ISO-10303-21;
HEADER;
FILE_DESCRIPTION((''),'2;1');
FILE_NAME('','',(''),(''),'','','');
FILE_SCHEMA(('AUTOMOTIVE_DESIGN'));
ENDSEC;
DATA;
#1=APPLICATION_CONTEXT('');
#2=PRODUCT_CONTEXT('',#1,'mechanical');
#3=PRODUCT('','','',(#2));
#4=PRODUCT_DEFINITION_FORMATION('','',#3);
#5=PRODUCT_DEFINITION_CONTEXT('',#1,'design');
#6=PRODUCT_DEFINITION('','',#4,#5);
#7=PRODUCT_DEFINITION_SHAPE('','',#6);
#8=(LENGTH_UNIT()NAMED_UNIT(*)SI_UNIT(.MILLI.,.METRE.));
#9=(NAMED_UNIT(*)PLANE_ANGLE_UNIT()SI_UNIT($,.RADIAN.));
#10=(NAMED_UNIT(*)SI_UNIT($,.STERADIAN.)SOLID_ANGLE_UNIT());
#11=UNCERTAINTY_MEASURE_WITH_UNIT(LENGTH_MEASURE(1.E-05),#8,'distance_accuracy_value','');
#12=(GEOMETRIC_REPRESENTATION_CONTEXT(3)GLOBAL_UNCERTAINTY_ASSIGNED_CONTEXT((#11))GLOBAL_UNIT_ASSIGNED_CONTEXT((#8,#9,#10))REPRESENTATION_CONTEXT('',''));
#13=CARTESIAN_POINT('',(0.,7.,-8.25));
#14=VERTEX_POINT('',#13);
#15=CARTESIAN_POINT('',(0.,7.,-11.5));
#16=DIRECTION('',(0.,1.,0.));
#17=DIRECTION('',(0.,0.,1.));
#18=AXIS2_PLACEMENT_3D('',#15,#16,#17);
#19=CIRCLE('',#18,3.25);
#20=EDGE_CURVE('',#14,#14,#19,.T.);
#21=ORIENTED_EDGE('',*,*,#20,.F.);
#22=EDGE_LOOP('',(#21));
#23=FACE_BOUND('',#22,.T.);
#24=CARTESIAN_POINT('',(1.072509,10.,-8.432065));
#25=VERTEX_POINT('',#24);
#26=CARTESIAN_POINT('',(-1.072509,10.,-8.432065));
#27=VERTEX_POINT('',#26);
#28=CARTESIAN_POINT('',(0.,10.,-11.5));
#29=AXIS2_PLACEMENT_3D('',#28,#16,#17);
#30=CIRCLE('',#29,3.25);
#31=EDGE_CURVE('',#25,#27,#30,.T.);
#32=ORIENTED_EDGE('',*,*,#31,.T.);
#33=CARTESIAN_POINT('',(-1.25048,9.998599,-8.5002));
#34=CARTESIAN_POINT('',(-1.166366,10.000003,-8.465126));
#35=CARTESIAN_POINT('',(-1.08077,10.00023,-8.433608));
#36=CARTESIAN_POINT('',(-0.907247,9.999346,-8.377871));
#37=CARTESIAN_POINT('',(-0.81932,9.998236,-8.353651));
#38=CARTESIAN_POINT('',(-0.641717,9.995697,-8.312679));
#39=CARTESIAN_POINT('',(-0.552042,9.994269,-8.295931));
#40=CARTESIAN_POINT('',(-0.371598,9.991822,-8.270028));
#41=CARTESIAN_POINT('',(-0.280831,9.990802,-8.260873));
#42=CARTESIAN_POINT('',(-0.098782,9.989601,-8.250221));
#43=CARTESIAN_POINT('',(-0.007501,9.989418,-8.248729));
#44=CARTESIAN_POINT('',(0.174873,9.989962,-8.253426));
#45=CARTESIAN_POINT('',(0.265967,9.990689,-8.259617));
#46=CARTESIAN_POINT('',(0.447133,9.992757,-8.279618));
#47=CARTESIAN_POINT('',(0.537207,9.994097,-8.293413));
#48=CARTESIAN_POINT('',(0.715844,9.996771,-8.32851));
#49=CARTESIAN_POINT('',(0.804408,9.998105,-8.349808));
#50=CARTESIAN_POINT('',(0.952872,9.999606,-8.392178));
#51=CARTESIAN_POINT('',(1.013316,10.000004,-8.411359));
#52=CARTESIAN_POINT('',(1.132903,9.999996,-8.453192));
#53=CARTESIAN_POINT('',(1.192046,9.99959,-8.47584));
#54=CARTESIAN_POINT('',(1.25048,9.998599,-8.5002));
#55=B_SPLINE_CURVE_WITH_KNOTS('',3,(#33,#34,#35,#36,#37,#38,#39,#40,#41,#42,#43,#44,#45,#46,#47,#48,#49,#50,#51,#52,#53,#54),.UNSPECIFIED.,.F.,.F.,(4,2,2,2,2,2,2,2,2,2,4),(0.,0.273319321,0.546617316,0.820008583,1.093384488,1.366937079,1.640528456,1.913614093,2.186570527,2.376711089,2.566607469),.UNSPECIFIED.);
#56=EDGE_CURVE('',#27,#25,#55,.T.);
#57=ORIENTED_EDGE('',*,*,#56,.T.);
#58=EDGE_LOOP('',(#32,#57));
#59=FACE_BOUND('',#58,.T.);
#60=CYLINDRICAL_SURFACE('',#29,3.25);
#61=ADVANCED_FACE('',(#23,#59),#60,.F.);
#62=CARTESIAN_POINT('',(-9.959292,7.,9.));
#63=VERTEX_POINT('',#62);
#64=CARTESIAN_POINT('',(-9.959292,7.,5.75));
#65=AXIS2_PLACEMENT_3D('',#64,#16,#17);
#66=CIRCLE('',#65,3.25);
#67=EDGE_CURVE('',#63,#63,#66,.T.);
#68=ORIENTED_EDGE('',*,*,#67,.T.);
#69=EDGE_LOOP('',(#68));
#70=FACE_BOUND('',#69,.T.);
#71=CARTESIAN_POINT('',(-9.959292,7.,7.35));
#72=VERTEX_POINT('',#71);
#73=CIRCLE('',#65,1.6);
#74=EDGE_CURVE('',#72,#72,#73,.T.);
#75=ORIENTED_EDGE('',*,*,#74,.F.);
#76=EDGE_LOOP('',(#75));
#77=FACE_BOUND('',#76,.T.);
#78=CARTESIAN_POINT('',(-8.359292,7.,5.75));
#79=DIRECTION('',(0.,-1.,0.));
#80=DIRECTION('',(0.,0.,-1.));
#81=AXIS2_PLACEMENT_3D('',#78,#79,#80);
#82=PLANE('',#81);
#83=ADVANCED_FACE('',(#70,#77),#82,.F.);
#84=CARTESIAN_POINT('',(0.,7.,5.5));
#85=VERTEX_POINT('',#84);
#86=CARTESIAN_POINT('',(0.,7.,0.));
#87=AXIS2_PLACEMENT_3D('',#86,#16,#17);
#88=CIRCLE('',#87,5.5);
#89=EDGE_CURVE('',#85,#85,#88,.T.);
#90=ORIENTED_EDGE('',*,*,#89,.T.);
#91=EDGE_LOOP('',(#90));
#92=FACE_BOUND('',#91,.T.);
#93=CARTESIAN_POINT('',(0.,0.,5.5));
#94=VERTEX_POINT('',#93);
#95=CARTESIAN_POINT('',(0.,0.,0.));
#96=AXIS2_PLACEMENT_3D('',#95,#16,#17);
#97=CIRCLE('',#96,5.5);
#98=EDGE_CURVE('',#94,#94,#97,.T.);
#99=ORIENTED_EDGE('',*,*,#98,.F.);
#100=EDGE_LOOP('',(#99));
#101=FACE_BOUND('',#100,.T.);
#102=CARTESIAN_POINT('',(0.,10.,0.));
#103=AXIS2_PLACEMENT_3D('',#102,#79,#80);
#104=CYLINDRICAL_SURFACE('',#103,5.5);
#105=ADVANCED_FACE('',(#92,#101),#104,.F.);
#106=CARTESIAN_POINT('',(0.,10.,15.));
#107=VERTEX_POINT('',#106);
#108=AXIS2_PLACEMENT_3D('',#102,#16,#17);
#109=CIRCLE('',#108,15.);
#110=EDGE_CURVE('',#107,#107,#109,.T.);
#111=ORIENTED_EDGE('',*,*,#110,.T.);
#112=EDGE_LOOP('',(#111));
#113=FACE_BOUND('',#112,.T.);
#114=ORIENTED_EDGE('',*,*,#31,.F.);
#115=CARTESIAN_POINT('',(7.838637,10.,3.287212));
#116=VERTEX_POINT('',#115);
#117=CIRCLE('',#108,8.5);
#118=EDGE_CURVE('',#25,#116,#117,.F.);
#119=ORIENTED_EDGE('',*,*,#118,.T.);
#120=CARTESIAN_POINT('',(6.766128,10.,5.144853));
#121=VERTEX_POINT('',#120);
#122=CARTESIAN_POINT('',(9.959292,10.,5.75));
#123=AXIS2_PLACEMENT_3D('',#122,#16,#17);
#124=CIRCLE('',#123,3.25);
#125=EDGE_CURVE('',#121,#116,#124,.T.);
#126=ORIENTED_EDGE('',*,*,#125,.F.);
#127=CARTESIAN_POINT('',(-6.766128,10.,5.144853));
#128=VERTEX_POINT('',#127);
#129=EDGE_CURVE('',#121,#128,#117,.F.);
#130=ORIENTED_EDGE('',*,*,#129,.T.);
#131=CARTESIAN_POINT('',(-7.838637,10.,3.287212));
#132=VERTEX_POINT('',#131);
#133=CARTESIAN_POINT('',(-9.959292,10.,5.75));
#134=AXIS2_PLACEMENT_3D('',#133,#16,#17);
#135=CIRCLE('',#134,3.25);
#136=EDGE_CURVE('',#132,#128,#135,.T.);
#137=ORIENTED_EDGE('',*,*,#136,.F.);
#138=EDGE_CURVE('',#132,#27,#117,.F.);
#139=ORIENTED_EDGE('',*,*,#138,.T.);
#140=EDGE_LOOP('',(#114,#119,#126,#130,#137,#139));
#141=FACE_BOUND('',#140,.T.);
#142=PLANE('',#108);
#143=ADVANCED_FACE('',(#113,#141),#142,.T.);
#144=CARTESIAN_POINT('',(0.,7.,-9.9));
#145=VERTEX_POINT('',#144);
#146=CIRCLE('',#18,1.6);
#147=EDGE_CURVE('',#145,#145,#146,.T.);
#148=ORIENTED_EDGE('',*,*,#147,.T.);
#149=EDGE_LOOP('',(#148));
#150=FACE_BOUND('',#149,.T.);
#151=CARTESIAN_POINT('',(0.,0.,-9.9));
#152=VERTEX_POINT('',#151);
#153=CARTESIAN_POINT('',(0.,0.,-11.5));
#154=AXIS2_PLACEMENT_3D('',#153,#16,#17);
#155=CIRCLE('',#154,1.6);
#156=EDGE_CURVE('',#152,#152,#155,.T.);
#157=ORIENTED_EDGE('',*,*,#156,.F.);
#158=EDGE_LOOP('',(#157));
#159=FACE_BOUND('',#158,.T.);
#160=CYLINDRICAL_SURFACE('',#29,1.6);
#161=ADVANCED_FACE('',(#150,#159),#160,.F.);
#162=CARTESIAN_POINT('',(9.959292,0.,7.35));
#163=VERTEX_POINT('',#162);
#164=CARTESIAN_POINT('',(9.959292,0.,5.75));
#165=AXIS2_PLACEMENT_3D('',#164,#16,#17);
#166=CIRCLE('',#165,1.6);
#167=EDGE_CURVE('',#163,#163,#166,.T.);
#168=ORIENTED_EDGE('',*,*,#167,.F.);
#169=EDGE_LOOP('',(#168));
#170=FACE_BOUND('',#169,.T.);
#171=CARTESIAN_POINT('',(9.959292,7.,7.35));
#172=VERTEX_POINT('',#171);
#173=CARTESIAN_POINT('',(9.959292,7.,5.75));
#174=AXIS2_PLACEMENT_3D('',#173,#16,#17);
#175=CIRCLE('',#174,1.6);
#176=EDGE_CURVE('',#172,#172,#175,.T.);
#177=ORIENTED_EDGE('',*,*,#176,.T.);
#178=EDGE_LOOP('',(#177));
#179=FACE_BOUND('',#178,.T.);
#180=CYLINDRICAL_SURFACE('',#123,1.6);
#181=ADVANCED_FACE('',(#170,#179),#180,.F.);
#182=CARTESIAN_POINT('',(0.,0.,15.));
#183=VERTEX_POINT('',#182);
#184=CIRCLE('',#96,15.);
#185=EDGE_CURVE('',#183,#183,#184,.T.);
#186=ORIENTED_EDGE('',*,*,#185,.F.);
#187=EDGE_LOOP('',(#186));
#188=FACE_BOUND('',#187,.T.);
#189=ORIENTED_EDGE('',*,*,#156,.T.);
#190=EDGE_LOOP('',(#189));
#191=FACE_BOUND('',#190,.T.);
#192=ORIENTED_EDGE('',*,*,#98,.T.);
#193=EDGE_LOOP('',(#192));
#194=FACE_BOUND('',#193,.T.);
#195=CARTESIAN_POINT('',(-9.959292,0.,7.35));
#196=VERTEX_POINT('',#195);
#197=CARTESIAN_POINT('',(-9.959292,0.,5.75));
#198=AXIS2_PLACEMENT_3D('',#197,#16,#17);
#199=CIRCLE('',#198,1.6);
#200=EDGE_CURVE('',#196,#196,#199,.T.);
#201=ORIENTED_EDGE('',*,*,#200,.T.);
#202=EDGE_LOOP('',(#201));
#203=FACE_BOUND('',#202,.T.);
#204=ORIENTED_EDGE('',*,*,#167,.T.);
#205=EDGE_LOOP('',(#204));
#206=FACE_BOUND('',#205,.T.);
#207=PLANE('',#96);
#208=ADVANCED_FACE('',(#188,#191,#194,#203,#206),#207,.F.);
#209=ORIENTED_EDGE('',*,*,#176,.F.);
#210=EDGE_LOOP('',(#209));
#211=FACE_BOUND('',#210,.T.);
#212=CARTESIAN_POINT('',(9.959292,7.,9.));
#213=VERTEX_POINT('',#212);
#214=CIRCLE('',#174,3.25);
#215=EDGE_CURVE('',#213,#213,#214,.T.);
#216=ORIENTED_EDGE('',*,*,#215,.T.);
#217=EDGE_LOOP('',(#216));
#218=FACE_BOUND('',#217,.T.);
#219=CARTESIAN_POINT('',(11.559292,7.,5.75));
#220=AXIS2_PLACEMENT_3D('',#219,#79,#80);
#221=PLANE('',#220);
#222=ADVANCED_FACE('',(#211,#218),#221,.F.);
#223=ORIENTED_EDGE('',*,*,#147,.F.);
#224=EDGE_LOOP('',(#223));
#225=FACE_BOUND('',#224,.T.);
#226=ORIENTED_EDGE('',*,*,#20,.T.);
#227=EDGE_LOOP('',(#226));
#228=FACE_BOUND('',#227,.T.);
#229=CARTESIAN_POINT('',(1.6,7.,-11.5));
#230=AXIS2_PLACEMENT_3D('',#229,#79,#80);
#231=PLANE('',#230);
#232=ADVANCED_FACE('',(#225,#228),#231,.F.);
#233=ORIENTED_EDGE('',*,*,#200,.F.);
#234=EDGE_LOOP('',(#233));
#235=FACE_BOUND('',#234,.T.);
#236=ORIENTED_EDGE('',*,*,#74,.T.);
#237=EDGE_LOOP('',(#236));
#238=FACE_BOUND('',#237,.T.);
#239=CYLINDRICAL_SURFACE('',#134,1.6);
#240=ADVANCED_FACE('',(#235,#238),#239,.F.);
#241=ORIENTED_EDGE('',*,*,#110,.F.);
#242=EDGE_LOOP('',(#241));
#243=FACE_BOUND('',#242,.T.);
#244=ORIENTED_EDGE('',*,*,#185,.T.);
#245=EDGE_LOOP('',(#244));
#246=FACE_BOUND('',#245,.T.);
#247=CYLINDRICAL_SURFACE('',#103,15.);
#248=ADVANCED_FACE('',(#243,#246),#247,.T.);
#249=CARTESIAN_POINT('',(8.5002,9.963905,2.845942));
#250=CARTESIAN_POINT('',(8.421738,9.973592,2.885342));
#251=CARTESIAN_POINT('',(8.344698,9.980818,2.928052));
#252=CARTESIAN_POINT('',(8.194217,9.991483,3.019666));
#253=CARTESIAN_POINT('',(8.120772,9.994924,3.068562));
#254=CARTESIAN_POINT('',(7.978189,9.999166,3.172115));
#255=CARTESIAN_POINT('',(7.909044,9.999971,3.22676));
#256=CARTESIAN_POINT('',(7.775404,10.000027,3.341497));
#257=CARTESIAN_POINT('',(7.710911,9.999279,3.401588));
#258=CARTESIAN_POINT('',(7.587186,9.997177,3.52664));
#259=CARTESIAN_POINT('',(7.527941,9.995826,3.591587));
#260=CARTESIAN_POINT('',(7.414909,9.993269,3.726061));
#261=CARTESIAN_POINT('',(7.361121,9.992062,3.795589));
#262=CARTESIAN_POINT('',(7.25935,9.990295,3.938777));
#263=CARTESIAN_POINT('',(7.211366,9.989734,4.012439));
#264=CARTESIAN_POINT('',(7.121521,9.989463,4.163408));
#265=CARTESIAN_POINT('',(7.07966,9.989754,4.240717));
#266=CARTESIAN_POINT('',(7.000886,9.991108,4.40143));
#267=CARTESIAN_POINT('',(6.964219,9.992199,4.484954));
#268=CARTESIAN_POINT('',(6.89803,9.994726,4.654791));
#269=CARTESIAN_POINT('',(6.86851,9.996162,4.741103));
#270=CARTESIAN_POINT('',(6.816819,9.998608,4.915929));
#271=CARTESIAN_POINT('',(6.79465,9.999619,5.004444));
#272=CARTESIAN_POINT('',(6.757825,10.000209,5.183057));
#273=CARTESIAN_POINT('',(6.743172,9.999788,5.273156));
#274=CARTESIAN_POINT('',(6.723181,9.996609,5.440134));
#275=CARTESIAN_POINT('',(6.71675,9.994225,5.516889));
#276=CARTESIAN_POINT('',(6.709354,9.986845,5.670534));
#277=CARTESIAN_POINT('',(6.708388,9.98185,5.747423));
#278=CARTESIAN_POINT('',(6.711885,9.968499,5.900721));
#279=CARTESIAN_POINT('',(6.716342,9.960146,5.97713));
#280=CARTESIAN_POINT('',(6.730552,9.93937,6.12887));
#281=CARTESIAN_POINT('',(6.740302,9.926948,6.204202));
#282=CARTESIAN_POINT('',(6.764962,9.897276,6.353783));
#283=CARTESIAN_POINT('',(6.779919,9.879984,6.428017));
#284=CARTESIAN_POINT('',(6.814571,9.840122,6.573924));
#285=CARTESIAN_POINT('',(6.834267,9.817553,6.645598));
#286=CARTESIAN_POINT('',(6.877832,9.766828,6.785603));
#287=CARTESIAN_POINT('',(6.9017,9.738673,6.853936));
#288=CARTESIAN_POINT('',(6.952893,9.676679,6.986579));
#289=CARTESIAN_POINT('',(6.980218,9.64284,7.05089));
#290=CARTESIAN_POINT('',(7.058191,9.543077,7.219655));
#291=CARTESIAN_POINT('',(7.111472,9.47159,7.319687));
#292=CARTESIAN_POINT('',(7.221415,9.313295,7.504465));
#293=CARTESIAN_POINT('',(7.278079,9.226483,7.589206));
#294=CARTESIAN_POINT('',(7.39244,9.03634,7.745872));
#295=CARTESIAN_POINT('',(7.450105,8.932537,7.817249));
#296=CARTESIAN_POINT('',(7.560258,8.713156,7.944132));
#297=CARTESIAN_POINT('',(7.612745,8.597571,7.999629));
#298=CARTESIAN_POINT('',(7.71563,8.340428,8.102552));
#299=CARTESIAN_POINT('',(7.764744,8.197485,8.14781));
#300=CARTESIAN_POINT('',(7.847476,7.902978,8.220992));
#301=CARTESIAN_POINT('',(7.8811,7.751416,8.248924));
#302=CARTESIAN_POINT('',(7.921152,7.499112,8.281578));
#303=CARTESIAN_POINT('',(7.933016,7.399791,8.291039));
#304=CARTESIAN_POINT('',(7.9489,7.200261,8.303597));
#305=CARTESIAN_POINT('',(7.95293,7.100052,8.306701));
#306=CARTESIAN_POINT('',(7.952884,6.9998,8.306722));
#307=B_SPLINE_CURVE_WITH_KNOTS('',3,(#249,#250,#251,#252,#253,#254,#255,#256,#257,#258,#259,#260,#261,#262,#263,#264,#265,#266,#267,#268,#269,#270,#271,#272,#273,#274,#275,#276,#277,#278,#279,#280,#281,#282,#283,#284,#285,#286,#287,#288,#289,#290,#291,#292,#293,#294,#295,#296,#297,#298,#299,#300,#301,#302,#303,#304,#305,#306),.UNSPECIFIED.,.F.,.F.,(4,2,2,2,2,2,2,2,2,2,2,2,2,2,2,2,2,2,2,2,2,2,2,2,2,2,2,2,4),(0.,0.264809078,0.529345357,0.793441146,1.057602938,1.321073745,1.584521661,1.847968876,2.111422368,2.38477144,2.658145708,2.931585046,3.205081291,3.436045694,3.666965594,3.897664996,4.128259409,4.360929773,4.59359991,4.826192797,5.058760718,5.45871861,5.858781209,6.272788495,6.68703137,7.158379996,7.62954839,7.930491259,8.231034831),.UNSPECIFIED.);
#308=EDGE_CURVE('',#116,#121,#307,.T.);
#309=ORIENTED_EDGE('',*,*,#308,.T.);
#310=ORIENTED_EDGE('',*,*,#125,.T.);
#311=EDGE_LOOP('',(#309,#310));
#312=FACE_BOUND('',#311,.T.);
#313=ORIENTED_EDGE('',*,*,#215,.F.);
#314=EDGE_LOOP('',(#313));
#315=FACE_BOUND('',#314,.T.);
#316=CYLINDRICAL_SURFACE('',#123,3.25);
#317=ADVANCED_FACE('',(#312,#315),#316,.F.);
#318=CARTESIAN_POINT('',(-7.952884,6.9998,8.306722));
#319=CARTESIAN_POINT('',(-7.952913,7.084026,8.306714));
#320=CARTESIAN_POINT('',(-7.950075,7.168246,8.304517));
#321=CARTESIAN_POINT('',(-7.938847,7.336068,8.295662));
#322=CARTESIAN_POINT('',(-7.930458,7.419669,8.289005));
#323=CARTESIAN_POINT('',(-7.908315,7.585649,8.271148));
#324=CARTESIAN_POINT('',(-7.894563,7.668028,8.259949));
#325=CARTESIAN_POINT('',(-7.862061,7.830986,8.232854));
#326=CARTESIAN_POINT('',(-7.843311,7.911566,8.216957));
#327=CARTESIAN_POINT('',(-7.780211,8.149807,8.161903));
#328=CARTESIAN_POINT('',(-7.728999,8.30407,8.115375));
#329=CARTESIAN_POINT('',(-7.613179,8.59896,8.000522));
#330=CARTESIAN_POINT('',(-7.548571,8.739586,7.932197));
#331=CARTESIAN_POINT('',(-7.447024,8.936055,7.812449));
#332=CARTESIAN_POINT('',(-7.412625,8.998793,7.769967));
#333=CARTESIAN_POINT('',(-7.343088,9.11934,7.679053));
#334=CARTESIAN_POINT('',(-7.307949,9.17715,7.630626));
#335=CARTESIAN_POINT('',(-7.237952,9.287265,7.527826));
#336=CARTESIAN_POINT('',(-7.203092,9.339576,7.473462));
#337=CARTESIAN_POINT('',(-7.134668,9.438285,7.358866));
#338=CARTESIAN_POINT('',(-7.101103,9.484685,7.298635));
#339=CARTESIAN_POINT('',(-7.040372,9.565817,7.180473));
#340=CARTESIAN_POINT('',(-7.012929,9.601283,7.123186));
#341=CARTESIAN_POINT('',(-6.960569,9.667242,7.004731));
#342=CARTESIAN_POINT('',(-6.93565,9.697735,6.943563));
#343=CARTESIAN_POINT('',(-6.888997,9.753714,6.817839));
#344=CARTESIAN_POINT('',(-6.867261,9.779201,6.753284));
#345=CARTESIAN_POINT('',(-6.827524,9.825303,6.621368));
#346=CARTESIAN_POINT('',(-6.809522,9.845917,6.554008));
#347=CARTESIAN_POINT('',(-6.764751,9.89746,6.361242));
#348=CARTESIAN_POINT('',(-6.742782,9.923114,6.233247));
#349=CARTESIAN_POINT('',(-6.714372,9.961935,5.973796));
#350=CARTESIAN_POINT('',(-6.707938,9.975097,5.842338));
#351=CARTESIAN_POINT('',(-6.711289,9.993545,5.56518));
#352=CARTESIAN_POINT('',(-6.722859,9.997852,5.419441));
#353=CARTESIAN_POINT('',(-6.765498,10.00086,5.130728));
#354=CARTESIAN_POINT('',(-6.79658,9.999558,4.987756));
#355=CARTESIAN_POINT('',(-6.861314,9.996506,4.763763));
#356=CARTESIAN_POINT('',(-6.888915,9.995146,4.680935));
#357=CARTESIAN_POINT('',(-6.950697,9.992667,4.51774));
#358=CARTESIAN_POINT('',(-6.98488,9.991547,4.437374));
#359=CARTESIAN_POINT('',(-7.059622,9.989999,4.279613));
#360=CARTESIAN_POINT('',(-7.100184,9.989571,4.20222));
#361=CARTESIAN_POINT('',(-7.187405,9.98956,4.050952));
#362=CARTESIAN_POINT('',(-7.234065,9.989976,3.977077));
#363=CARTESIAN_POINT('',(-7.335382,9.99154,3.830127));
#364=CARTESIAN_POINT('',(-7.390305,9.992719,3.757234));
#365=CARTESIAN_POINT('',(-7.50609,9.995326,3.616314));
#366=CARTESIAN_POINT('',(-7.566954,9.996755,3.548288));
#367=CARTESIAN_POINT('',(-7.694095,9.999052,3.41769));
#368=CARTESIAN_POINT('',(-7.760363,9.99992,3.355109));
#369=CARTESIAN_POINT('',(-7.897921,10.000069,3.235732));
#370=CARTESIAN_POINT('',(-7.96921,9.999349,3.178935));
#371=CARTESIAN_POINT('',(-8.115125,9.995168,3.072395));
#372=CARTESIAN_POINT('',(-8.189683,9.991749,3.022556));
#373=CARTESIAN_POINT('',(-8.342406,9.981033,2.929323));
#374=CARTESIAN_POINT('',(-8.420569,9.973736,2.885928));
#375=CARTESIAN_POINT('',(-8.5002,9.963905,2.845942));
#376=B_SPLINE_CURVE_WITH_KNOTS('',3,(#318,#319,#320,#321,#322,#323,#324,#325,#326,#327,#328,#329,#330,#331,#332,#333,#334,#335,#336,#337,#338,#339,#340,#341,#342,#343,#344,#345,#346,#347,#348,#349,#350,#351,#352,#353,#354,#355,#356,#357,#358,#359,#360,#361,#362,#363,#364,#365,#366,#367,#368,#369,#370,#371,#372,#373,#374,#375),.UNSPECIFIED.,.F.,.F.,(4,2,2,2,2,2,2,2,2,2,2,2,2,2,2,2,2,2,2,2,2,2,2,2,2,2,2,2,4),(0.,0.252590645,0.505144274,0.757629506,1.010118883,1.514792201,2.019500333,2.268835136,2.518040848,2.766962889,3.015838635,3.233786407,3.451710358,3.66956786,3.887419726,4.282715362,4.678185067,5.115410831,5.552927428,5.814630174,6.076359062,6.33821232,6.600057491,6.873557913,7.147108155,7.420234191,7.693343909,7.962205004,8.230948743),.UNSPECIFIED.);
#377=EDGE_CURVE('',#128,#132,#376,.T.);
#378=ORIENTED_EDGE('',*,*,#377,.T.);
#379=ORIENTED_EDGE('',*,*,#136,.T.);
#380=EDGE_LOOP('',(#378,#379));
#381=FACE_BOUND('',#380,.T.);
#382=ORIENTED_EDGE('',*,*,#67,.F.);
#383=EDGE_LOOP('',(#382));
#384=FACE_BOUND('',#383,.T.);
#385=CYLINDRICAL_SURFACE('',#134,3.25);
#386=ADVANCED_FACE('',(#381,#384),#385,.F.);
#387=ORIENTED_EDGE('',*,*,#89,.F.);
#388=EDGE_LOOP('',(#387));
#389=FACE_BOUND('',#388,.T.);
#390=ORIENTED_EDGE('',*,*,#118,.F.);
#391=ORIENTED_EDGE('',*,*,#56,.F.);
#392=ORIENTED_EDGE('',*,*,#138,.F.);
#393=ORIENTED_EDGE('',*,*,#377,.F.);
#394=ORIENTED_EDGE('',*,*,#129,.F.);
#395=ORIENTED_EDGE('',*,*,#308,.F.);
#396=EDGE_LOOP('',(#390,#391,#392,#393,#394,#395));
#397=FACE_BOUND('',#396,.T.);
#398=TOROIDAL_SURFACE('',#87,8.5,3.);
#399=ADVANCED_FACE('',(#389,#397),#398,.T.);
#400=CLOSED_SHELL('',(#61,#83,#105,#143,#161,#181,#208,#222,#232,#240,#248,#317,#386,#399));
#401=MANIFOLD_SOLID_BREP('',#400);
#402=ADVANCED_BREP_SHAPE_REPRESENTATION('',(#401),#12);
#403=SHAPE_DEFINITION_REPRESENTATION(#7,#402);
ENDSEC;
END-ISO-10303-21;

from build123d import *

# Parameters (mm, degrees)
SKETCH1_R                      = 15
SKETCH1_R_2                    = 5.5
BOSS_EXTRUDE1_DEPTH            = 10
FILLET1_R                      = 3
CBORE_FOR_M3_SHCS1_D           = 3.2
CBORE_FOR_M3_SHCS1_CBORE_D     = 6.5
CBORE_FOR_M3_SHCS1_CBORE_DEPTH = 3
CIRPATTERN1_COUNT              = 3


with BuildPart() as part:
    # Sketch1 → Boss-Extrude1 (new body)
    with BuildSketch(Plane(origin=(0, 0, 0), x_dir=(1, 0, 0), z_dir=(0, 1, 0))):
        Circle(SKETCH1_R)
        Circle(SKETCH1_R_2, mode=Mode.SUBTRACT)
    extrude(amount=BOSS_EXTRUDE1_DEPTH)

    # Fillet1
    fillet1_edges = [part.edges().sort_by_distance(p)[0] for p in [
        (-5.5, 10, 0),
    ]]
    fillet(fillet1_edges, radius=FILLET1_R)

    # CBORE for M3 SHCS1 (through all)
    with Locations(Plane(origin=(0, 10, 0), x_dir=(-1, 0, 0), z_dir=(0, 1, 0))):
        with Locations((0, -11.5)):
            cbore_for_m3_shcs1 = CounterBoreHole(CBORE_FOR_M3_SHCS1_D / 2, CBORE_FOR_M3_SHCS1_CBORE_D / 2, CBORE_FOR_M3_SHCS1_CBORE_DEPTH)

    # CirPattern1: CBORE for M3 SHCS1 ×3 about axis
    cirpattern1_axis = Axis((0, 8, 0), (0, -1, 0))
    for i in range(1, CIRPATTERN1_COUNT):
        add(cbore_for_m3_shcs1.rotate(cirpattern1_axis, i * 360 / CIRPATTERN1_COUNT), mode=Mode.SUBTRACT)


solid = part.part
